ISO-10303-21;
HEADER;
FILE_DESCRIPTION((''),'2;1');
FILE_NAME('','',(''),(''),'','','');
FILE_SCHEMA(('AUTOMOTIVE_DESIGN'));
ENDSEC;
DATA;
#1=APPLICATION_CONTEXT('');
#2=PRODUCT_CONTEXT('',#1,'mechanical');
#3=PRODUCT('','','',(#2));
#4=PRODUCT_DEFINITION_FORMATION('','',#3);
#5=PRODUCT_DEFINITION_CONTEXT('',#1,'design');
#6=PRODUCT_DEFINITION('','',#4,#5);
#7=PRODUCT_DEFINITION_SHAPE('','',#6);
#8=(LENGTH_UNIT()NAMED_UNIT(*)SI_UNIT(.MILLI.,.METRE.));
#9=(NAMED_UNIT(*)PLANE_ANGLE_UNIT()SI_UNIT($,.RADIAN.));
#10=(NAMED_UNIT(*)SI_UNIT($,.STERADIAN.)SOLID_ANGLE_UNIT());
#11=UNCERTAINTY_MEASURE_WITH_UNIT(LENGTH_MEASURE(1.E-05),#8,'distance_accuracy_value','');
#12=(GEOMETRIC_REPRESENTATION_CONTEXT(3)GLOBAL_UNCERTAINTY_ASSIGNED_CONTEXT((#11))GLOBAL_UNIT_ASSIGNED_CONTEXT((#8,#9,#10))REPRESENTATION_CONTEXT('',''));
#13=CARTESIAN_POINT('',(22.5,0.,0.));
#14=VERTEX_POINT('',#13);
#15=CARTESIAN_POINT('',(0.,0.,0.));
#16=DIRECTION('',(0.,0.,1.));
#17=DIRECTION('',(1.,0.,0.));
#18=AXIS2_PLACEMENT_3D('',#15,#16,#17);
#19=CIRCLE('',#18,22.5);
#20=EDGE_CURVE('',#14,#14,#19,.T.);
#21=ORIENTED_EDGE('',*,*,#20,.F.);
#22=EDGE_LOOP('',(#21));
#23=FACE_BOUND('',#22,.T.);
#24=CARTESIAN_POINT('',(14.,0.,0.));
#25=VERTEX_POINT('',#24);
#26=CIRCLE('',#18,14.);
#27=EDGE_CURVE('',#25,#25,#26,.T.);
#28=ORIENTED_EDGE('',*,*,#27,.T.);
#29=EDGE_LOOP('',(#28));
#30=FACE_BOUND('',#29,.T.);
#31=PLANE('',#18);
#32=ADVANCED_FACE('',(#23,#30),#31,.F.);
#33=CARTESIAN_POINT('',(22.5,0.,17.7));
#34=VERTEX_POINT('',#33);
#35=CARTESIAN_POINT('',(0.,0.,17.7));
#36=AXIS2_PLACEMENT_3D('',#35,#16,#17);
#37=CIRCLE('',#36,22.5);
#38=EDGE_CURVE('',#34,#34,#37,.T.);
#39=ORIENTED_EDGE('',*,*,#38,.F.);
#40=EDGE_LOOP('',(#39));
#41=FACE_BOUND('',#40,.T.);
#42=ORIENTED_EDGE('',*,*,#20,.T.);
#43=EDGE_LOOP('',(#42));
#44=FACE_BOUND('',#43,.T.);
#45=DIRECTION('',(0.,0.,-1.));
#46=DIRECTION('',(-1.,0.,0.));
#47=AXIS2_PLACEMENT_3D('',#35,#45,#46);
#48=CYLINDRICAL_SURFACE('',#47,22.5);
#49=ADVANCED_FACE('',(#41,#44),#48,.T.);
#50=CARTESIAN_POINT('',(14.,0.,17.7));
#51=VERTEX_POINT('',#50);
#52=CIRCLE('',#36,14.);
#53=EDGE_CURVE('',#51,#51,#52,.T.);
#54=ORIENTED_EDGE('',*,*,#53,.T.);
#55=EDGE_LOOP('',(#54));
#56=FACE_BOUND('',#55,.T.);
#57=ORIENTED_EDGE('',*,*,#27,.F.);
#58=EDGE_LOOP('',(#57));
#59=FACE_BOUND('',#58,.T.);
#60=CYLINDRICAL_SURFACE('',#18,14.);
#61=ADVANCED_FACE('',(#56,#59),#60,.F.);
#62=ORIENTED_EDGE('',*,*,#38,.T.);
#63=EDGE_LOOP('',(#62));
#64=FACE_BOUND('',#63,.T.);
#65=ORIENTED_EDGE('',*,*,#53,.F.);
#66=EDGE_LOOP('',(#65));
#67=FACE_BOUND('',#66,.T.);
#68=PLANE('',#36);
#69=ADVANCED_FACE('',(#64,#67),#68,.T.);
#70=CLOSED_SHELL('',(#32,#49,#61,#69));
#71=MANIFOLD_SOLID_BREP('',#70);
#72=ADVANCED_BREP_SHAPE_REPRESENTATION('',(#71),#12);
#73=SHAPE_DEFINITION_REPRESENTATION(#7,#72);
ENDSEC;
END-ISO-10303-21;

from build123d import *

# Parameters (mm, degrees)
CROQUIS1_R              = 22.5
SALIENTE_EXTRUIR1_DEPTH = 17.7
CROQUIS2_R              = 14
CORTAR_EXTRUIR1_DEPTH   = 17.7


with BuildPart() as part:
    # Croquis1 → Saliente-Extruir1 (new body)
    with BuildSketch(Plane.XY):
        Circle(CROQUIS1_R)
    extrude(amount=SALIENTE_EXTRUIR1_DEPTH)

    # Croquis2 → Cortar-Extruir1 (cut)
    with BuildSketch(Plane.XY.offset(17.7)):
        Circle(CROQUIS2_R)
    extrude(amount=-CORTAR_EXTRUIR1_DEPTH, mode=Mode.SUBTRACT)


solid = part.part
